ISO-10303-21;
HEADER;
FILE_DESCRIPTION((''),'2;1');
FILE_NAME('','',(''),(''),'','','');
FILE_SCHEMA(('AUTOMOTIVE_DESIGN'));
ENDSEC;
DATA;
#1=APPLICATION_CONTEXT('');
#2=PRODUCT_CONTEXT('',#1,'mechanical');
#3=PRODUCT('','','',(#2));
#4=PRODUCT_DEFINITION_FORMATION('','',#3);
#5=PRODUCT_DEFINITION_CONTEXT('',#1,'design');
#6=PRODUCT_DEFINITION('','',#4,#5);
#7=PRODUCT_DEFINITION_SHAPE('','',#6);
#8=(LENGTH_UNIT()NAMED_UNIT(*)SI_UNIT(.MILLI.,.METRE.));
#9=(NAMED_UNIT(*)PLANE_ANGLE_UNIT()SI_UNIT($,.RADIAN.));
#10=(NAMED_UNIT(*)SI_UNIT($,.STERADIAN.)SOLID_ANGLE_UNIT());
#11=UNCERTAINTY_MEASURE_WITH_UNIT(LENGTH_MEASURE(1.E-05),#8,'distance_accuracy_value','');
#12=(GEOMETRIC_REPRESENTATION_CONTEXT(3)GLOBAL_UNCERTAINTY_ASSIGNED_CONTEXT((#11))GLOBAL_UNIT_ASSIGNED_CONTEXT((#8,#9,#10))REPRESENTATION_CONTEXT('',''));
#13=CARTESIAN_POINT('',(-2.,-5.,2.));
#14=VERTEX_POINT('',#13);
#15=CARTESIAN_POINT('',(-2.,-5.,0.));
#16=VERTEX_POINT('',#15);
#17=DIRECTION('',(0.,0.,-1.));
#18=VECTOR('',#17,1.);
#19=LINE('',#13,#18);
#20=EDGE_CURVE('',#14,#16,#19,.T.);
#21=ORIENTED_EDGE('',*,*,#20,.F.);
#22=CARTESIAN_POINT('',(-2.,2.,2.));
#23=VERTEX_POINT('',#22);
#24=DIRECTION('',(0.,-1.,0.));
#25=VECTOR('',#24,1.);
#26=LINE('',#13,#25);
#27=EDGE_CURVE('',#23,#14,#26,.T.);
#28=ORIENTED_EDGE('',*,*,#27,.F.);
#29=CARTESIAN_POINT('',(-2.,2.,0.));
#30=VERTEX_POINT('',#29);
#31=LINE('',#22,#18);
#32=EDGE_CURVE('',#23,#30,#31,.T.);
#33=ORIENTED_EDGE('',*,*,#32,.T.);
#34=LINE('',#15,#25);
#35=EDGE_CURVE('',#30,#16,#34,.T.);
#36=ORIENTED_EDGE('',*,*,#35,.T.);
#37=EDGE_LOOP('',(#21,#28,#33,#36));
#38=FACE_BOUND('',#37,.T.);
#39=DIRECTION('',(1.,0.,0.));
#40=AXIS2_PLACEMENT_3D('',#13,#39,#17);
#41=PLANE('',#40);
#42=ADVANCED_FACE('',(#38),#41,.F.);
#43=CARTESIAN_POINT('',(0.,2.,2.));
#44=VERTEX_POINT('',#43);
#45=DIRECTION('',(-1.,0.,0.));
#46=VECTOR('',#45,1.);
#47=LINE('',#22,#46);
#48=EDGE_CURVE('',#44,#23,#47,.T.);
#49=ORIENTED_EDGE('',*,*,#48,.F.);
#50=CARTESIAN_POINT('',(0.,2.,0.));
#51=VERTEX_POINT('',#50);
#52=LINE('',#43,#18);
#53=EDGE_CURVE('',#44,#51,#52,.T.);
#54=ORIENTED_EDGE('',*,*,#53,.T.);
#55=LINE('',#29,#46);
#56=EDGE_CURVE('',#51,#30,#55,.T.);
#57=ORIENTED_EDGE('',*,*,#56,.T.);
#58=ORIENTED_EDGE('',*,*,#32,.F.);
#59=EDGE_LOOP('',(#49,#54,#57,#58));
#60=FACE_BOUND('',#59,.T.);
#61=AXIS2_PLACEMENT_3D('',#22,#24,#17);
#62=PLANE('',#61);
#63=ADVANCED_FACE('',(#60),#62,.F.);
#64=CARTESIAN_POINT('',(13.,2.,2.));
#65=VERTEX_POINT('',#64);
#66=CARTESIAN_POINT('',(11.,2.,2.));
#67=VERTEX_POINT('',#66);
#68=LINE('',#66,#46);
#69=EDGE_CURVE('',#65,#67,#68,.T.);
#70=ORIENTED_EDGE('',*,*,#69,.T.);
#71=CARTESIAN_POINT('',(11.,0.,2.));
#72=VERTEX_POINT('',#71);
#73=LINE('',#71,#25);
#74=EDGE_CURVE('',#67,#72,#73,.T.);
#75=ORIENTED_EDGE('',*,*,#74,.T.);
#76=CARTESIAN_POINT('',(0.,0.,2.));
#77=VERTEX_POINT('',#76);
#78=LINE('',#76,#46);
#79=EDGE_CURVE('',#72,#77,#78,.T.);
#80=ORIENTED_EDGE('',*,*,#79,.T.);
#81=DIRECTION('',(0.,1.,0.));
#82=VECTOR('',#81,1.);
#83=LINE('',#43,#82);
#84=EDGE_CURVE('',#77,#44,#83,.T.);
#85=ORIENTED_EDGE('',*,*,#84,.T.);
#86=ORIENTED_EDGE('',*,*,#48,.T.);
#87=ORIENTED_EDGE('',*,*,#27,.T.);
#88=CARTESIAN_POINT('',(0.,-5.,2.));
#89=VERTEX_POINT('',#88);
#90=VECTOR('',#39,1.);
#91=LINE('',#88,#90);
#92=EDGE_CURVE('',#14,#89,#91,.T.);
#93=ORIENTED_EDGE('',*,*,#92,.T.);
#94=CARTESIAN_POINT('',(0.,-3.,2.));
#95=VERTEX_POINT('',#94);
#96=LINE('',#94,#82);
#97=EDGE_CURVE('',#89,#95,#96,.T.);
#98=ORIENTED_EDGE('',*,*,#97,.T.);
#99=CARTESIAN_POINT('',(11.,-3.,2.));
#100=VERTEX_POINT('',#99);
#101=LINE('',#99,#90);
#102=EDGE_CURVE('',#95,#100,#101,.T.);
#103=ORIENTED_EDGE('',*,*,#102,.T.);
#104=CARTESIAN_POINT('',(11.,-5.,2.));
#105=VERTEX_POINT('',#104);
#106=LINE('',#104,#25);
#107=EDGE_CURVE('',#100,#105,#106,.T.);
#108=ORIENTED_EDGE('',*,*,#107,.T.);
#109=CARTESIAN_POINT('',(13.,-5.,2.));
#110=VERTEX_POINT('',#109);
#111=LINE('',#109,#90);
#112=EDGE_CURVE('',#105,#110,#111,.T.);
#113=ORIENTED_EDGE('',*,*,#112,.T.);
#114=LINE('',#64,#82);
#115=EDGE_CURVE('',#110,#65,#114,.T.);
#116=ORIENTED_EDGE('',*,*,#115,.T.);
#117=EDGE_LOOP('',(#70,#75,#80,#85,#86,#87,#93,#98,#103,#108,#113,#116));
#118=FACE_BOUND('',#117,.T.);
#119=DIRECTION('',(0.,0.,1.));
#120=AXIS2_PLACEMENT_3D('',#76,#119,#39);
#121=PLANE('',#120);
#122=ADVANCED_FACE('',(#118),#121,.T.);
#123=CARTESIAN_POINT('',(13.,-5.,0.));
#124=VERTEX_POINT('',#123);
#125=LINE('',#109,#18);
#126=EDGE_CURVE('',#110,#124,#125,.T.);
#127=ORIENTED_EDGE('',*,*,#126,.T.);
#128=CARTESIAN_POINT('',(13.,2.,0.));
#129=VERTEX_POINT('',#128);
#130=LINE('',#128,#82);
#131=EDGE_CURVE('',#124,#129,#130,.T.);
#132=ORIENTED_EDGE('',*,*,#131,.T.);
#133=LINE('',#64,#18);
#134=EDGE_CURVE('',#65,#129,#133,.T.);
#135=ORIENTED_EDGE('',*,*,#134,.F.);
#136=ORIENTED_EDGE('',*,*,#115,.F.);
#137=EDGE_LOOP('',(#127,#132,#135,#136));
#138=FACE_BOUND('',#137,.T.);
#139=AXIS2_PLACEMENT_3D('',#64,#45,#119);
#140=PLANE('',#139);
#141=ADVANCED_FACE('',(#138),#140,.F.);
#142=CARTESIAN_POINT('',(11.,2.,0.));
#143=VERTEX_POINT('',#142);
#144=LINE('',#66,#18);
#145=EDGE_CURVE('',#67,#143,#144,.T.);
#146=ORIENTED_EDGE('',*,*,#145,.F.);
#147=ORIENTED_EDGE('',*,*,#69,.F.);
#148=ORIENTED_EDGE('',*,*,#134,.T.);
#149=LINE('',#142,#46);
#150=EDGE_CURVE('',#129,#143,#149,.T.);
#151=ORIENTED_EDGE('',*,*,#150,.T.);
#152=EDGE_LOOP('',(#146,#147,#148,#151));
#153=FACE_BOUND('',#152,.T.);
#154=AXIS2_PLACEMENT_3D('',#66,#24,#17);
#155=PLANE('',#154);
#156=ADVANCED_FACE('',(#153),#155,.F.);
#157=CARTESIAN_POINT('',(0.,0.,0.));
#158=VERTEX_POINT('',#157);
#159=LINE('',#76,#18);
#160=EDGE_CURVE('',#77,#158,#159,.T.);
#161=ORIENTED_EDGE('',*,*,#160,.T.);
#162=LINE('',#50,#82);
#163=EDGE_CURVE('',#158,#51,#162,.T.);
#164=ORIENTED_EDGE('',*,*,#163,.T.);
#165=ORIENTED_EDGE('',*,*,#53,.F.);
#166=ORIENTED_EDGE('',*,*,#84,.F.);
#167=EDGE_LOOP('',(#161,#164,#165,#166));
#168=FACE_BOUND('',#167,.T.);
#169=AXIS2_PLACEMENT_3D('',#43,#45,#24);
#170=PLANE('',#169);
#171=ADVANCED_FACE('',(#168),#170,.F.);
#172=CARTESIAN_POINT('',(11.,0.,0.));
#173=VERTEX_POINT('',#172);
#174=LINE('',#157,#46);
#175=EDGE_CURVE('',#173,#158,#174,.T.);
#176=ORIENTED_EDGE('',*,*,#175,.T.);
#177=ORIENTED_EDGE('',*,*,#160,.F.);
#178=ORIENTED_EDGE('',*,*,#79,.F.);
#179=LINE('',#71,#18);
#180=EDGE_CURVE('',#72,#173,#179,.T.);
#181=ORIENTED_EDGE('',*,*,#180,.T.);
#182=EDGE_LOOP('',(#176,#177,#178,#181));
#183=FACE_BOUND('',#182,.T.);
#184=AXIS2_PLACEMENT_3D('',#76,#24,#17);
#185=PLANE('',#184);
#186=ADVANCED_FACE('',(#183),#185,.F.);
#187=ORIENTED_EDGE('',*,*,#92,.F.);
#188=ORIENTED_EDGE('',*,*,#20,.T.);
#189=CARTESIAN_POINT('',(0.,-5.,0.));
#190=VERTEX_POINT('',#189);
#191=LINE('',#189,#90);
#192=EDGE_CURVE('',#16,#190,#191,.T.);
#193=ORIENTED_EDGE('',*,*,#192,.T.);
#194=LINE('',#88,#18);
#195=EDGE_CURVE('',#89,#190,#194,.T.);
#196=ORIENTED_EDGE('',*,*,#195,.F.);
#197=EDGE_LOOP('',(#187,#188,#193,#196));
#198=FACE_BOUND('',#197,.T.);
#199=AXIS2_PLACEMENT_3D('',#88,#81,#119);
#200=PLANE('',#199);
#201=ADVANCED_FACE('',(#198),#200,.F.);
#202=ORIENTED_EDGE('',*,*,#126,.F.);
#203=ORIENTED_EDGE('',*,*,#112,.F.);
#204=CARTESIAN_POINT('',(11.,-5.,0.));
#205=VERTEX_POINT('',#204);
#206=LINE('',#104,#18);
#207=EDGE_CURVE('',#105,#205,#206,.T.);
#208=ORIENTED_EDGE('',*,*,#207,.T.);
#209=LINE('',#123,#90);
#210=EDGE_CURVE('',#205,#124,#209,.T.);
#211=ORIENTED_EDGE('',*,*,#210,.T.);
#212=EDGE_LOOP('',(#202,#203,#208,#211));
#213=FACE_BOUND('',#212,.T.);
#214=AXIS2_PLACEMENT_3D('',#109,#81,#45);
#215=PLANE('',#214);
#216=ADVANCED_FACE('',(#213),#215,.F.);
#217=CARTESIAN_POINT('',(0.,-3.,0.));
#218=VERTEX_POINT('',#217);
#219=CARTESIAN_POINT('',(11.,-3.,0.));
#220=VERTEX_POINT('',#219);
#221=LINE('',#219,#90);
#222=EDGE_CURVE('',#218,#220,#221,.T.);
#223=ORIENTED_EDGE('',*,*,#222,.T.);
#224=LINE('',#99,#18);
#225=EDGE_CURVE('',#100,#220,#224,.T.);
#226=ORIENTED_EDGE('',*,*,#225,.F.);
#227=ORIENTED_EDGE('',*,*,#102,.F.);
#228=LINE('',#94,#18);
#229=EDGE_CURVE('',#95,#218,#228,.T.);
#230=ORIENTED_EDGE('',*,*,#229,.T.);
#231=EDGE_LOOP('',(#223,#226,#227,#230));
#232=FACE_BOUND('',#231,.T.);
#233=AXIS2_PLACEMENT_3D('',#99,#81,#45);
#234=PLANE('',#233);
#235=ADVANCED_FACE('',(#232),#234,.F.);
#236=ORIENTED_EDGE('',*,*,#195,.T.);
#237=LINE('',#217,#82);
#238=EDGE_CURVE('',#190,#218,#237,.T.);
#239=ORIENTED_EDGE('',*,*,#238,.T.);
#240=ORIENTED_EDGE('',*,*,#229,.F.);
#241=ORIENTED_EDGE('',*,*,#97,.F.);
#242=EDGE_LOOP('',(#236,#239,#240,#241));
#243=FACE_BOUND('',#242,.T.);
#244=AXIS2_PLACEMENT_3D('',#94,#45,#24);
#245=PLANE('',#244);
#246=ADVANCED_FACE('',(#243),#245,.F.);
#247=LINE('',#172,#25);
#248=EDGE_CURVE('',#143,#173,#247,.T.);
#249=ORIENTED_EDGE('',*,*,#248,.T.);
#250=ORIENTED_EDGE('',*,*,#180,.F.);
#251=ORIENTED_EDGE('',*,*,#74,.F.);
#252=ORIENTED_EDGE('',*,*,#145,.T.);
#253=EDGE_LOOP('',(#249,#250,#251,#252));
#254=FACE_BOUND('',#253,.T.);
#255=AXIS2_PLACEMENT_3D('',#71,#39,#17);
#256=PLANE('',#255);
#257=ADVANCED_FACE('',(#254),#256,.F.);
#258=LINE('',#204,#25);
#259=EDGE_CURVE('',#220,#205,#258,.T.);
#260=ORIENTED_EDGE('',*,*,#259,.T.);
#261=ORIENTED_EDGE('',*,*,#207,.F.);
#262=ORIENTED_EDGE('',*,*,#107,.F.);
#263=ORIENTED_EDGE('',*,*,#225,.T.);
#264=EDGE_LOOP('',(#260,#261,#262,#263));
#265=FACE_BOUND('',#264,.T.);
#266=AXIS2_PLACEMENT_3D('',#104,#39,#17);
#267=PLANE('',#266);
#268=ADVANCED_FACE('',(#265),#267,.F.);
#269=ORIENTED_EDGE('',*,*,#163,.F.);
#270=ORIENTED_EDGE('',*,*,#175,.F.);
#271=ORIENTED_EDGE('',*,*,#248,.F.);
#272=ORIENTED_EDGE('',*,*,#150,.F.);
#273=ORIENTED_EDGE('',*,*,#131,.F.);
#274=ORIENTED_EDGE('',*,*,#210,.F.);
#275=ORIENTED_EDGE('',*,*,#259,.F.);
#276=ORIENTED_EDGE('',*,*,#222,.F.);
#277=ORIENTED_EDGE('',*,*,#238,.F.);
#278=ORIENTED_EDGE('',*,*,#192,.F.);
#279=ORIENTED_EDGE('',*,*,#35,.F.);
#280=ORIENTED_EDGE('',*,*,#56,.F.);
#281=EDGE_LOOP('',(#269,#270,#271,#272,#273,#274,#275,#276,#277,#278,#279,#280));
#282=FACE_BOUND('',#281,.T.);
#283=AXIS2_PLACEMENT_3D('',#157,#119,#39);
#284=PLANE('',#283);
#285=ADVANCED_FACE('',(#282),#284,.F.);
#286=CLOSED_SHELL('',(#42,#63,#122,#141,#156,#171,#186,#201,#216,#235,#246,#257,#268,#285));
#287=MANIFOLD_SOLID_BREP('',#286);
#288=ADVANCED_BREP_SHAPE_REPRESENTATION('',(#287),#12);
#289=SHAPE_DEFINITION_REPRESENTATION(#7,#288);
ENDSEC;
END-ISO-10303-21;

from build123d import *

# Parameters (mm, degrees)
BOSS_EXTRU_1_DEPTH = 2


with BuildPart() as part:
    # Esquisse1 → Boss.-Extru.1 (new body)
    with BuildSketch(Plane.XY):
        Polygon((0, 0), (11, 0), (11, 2), (13, 2), (13, -5), (11, -5), (11, -3), (0, -3), (0, -5), (-2, -5), (-2, 2), (0, 2), align=None)
    extrude(amount=BOSS_EXTRU_1_DEPTH)


solid = part.part
